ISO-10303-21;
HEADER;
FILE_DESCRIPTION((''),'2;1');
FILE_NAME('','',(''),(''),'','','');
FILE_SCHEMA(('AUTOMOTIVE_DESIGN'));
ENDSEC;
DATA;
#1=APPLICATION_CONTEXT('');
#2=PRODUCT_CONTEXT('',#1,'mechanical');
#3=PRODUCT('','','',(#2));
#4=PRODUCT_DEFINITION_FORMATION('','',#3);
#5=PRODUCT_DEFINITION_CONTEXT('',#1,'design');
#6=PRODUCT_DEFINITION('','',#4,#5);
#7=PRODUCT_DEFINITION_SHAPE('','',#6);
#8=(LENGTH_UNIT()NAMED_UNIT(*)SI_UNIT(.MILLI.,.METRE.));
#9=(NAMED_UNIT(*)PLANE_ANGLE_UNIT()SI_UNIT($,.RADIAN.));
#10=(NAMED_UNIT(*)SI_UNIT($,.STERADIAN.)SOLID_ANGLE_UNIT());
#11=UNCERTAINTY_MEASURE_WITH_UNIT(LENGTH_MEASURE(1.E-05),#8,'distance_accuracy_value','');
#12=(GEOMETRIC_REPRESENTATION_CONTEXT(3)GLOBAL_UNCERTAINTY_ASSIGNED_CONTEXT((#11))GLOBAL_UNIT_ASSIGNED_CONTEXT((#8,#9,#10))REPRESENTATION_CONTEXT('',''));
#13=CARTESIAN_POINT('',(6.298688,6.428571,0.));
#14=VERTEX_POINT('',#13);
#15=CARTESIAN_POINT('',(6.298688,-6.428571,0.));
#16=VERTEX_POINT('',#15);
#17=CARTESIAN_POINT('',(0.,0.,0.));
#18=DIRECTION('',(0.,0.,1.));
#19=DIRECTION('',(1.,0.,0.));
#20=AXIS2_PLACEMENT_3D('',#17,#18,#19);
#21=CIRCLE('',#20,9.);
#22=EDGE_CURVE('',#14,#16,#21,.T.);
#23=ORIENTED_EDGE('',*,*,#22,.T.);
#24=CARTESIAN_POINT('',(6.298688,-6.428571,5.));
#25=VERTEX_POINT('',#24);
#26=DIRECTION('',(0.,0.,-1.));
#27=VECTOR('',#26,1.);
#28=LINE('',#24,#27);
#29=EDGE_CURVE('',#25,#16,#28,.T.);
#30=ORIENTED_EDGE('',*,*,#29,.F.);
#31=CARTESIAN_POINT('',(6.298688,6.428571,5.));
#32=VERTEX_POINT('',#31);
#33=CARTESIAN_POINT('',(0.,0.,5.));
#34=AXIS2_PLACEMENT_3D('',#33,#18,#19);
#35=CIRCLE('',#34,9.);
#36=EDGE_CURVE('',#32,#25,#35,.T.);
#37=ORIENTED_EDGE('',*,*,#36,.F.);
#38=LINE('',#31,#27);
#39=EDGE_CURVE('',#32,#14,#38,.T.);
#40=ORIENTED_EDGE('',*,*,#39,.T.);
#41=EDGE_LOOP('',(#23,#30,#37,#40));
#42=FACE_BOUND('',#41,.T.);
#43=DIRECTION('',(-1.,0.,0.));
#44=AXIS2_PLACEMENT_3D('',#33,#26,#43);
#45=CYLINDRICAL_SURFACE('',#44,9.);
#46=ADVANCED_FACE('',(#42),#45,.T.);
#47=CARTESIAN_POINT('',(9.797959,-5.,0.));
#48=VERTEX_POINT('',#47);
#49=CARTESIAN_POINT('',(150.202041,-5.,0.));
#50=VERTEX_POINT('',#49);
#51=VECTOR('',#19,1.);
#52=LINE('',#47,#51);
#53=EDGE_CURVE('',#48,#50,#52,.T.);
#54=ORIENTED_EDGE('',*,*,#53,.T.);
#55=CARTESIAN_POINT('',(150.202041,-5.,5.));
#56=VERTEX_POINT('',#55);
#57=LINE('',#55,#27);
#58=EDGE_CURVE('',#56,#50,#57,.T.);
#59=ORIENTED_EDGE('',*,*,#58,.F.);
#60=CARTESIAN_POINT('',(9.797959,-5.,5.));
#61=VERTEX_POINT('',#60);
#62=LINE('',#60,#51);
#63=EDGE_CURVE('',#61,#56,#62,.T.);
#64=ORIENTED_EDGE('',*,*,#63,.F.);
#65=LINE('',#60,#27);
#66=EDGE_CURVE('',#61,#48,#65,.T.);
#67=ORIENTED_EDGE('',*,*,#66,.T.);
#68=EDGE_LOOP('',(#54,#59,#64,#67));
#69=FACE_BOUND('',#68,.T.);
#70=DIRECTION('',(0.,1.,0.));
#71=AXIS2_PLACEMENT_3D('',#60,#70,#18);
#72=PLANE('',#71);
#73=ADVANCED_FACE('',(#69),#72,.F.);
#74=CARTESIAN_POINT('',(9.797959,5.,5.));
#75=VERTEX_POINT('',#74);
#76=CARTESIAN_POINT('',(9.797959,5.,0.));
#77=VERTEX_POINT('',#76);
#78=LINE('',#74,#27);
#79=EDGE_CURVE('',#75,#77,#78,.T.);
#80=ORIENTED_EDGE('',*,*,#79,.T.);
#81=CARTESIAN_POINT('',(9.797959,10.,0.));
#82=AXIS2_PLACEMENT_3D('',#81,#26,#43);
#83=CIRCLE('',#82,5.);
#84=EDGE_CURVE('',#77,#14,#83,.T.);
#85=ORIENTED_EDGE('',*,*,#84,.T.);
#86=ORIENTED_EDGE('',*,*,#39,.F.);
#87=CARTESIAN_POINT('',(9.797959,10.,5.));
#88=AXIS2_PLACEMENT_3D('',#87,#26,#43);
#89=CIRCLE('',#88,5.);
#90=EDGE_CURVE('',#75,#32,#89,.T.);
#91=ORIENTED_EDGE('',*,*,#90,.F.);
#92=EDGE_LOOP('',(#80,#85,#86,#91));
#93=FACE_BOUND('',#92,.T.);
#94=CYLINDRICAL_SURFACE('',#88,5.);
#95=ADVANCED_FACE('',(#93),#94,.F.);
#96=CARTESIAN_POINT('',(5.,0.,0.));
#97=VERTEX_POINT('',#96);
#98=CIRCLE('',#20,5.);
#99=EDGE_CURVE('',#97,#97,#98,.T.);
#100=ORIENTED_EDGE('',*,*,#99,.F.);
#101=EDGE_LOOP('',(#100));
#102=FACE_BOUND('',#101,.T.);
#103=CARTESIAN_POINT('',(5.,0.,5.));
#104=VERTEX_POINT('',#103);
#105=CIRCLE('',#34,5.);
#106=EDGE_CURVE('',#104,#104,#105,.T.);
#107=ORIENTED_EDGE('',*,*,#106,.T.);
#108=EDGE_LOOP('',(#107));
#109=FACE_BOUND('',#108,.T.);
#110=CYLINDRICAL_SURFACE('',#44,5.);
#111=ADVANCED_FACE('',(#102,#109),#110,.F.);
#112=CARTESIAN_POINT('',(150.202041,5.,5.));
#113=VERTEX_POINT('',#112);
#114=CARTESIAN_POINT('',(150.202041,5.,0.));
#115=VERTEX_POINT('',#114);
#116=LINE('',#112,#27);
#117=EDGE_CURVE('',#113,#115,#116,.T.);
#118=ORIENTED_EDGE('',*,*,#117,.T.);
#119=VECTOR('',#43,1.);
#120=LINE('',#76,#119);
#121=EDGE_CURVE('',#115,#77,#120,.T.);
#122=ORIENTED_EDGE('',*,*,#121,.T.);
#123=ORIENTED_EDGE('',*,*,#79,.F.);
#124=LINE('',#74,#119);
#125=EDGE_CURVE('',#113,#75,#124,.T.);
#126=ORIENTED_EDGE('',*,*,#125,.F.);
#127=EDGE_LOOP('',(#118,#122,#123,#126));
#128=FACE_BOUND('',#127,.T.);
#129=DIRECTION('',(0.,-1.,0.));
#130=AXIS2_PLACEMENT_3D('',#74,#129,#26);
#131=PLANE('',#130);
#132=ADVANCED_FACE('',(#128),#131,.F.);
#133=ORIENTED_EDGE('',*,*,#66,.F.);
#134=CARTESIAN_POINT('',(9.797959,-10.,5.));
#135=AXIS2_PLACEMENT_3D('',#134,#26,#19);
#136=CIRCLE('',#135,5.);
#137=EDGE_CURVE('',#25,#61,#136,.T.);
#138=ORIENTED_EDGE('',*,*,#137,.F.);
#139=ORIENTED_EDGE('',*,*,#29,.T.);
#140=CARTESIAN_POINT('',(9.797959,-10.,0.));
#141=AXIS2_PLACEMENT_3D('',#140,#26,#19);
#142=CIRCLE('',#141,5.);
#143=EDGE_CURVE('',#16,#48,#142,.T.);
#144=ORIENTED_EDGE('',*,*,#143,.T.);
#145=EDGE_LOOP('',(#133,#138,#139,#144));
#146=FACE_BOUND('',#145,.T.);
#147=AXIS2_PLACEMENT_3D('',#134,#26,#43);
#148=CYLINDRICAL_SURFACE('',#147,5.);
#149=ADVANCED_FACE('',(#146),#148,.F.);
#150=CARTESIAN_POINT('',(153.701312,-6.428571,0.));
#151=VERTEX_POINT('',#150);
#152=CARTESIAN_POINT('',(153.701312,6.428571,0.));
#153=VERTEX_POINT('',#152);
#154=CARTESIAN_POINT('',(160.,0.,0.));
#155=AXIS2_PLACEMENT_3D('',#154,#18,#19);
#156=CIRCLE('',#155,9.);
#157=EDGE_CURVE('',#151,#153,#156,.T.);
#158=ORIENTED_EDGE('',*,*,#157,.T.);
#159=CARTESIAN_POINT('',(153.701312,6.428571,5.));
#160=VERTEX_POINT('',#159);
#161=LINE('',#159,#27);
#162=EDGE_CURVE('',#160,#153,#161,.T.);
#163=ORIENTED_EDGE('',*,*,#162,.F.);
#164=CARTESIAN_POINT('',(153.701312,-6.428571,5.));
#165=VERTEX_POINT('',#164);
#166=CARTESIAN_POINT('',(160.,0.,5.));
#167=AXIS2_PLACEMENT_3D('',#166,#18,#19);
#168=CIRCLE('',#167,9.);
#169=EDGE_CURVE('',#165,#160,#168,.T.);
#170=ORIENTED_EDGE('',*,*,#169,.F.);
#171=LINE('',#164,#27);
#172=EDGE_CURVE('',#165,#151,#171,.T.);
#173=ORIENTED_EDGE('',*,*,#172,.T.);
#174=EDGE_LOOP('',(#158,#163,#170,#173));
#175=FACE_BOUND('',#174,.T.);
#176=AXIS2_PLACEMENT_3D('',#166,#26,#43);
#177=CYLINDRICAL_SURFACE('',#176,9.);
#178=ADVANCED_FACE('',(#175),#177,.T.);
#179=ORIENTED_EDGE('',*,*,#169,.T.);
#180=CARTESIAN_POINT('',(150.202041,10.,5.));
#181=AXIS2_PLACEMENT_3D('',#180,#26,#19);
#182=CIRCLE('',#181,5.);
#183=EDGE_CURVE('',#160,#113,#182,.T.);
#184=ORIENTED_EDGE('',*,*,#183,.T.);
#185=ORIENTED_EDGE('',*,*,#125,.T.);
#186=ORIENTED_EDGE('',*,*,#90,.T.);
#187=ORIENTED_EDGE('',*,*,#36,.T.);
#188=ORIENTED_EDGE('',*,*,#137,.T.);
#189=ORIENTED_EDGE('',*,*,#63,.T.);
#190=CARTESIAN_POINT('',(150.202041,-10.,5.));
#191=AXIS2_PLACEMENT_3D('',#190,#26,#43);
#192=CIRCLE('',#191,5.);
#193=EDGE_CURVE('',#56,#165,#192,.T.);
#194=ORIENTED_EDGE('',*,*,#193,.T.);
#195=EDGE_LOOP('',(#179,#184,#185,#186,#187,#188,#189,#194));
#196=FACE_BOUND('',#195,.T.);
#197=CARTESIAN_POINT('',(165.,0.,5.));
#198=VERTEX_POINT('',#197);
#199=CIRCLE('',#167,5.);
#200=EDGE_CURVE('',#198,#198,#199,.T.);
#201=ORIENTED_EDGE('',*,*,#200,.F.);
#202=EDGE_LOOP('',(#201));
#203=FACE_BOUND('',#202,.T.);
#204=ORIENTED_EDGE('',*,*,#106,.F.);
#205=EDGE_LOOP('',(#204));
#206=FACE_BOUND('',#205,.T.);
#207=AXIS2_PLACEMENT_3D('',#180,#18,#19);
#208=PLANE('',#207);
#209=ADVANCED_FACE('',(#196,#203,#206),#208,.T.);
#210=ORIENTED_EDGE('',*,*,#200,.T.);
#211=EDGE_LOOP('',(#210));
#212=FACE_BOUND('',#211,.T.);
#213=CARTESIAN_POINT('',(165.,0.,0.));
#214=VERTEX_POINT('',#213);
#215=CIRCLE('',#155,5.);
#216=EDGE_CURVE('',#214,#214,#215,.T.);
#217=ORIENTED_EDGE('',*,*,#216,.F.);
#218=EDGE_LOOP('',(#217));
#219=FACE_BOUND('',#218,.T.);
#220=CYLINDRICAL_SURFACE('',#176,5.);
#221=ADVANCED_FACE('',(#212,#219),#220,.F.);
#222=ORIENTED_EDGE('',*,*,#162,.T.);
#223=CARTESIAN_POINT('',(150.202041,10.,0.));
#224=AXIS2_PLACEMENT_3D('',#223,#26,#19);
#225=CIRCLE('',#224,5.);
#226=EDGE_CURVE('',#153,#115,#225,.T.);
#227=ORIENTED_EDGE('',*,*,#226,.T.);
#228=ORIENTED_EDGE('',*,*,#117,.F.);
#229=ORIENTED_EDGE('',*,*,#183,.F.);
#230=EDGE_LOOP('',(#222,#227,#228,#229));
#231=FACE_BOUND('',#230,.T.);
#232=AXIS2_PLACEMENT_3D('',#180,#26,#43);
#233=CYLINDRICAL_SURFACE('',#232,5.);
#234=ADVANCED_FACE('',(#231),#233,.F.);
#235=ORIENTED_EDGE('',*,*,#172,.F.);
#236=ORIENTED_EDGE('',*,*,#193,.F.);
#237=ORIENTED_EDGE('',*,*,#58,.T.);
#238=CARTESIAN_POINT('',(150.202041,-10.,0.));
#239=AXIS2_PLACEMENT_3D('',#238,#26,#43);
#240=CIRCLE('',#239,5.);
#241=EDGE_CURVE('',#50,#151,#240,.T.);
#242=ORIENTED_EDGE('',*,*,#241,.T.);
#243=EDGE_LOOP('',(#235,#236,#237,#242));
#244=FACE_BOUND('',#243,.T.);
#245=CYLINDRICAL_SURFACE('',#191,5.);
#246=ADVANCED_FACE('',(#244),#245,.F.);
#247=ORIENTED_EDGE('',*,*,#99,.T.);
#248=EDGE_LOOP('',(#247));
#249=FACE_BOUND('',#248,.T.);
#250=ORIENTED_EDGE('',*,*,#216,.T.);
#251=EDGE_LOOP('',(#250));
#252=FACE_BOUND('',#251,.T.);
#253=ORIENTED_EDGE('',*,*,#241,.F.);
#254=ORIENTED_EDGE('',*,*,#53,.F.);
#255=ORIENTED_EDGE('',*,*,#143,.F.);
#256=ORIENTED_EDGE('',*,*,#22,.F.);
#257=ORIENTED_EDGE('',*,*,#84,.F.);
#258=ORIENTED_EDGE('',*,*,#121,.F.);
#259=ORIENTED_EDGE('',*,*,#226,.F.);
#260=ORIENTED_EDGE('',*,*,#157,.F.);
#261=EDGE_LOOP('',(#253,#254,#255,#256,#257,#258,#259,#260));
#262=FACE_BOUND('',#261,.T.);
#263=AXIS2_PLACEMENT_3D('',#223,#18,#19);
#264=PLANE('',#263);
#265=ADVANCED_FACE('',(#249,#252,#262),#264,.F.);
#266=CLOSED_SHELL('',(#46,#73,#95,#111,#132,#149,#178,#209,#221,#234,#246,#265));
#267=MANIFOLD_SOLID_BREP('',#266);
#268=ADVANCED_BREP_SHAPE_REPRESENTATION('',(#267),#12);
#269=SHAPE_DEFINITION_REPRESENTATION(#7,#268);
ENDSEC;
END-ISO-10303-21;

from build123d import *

# Parameters (mm, degrees)
SKETCH1_R           = 5
BOSS_EXTRUDE1_DEPTH = 5


with BuildPart() as part:
    # Sketch1 → Boss-Extrude1 (new body)
    with BuildSketch(Plane.XY):
        with BuildLine():
            Line((9.797958971, 5), (150.202041029, 5))
            ThreePointArc((150.202041029, 5), (152.091863394, 5.370899501), (153.70131209, 6.428571429))
            ThreePointArc((153.70131209, 6.428571429), (169, 0), (153.70131209, -6.428571429))
            ThreePointArc((153.70131209, -6.428571429), (152.091863394, -5.370899501), (150.202041029, -5))
            Line((150.202041029, -5), (9.797958971, -5))
            ThreePointArc((9.797958971, -5), (7.908136606, -5.370899501), (6.29868791, -6.428571429))
            ThreePointArc((6.29868791, -6.428571429), (-9, 0), (6.29868791, 6.428571429))
            ThreePointArc((6.29868791, 6.428571429), (7.908136606, 5.370899501), (9.797958971, 5))
        make_face()
        Circle(SKETCH1_R, mode=Mode.SUBTRACT)
        with Locations((160, 0)):
            Circle(SKETCH1_R, mode=Mode.SUBTRACT)
    extrude(amount=BOSS_EXTRUDE1_DEPTH)


solid = part.part
